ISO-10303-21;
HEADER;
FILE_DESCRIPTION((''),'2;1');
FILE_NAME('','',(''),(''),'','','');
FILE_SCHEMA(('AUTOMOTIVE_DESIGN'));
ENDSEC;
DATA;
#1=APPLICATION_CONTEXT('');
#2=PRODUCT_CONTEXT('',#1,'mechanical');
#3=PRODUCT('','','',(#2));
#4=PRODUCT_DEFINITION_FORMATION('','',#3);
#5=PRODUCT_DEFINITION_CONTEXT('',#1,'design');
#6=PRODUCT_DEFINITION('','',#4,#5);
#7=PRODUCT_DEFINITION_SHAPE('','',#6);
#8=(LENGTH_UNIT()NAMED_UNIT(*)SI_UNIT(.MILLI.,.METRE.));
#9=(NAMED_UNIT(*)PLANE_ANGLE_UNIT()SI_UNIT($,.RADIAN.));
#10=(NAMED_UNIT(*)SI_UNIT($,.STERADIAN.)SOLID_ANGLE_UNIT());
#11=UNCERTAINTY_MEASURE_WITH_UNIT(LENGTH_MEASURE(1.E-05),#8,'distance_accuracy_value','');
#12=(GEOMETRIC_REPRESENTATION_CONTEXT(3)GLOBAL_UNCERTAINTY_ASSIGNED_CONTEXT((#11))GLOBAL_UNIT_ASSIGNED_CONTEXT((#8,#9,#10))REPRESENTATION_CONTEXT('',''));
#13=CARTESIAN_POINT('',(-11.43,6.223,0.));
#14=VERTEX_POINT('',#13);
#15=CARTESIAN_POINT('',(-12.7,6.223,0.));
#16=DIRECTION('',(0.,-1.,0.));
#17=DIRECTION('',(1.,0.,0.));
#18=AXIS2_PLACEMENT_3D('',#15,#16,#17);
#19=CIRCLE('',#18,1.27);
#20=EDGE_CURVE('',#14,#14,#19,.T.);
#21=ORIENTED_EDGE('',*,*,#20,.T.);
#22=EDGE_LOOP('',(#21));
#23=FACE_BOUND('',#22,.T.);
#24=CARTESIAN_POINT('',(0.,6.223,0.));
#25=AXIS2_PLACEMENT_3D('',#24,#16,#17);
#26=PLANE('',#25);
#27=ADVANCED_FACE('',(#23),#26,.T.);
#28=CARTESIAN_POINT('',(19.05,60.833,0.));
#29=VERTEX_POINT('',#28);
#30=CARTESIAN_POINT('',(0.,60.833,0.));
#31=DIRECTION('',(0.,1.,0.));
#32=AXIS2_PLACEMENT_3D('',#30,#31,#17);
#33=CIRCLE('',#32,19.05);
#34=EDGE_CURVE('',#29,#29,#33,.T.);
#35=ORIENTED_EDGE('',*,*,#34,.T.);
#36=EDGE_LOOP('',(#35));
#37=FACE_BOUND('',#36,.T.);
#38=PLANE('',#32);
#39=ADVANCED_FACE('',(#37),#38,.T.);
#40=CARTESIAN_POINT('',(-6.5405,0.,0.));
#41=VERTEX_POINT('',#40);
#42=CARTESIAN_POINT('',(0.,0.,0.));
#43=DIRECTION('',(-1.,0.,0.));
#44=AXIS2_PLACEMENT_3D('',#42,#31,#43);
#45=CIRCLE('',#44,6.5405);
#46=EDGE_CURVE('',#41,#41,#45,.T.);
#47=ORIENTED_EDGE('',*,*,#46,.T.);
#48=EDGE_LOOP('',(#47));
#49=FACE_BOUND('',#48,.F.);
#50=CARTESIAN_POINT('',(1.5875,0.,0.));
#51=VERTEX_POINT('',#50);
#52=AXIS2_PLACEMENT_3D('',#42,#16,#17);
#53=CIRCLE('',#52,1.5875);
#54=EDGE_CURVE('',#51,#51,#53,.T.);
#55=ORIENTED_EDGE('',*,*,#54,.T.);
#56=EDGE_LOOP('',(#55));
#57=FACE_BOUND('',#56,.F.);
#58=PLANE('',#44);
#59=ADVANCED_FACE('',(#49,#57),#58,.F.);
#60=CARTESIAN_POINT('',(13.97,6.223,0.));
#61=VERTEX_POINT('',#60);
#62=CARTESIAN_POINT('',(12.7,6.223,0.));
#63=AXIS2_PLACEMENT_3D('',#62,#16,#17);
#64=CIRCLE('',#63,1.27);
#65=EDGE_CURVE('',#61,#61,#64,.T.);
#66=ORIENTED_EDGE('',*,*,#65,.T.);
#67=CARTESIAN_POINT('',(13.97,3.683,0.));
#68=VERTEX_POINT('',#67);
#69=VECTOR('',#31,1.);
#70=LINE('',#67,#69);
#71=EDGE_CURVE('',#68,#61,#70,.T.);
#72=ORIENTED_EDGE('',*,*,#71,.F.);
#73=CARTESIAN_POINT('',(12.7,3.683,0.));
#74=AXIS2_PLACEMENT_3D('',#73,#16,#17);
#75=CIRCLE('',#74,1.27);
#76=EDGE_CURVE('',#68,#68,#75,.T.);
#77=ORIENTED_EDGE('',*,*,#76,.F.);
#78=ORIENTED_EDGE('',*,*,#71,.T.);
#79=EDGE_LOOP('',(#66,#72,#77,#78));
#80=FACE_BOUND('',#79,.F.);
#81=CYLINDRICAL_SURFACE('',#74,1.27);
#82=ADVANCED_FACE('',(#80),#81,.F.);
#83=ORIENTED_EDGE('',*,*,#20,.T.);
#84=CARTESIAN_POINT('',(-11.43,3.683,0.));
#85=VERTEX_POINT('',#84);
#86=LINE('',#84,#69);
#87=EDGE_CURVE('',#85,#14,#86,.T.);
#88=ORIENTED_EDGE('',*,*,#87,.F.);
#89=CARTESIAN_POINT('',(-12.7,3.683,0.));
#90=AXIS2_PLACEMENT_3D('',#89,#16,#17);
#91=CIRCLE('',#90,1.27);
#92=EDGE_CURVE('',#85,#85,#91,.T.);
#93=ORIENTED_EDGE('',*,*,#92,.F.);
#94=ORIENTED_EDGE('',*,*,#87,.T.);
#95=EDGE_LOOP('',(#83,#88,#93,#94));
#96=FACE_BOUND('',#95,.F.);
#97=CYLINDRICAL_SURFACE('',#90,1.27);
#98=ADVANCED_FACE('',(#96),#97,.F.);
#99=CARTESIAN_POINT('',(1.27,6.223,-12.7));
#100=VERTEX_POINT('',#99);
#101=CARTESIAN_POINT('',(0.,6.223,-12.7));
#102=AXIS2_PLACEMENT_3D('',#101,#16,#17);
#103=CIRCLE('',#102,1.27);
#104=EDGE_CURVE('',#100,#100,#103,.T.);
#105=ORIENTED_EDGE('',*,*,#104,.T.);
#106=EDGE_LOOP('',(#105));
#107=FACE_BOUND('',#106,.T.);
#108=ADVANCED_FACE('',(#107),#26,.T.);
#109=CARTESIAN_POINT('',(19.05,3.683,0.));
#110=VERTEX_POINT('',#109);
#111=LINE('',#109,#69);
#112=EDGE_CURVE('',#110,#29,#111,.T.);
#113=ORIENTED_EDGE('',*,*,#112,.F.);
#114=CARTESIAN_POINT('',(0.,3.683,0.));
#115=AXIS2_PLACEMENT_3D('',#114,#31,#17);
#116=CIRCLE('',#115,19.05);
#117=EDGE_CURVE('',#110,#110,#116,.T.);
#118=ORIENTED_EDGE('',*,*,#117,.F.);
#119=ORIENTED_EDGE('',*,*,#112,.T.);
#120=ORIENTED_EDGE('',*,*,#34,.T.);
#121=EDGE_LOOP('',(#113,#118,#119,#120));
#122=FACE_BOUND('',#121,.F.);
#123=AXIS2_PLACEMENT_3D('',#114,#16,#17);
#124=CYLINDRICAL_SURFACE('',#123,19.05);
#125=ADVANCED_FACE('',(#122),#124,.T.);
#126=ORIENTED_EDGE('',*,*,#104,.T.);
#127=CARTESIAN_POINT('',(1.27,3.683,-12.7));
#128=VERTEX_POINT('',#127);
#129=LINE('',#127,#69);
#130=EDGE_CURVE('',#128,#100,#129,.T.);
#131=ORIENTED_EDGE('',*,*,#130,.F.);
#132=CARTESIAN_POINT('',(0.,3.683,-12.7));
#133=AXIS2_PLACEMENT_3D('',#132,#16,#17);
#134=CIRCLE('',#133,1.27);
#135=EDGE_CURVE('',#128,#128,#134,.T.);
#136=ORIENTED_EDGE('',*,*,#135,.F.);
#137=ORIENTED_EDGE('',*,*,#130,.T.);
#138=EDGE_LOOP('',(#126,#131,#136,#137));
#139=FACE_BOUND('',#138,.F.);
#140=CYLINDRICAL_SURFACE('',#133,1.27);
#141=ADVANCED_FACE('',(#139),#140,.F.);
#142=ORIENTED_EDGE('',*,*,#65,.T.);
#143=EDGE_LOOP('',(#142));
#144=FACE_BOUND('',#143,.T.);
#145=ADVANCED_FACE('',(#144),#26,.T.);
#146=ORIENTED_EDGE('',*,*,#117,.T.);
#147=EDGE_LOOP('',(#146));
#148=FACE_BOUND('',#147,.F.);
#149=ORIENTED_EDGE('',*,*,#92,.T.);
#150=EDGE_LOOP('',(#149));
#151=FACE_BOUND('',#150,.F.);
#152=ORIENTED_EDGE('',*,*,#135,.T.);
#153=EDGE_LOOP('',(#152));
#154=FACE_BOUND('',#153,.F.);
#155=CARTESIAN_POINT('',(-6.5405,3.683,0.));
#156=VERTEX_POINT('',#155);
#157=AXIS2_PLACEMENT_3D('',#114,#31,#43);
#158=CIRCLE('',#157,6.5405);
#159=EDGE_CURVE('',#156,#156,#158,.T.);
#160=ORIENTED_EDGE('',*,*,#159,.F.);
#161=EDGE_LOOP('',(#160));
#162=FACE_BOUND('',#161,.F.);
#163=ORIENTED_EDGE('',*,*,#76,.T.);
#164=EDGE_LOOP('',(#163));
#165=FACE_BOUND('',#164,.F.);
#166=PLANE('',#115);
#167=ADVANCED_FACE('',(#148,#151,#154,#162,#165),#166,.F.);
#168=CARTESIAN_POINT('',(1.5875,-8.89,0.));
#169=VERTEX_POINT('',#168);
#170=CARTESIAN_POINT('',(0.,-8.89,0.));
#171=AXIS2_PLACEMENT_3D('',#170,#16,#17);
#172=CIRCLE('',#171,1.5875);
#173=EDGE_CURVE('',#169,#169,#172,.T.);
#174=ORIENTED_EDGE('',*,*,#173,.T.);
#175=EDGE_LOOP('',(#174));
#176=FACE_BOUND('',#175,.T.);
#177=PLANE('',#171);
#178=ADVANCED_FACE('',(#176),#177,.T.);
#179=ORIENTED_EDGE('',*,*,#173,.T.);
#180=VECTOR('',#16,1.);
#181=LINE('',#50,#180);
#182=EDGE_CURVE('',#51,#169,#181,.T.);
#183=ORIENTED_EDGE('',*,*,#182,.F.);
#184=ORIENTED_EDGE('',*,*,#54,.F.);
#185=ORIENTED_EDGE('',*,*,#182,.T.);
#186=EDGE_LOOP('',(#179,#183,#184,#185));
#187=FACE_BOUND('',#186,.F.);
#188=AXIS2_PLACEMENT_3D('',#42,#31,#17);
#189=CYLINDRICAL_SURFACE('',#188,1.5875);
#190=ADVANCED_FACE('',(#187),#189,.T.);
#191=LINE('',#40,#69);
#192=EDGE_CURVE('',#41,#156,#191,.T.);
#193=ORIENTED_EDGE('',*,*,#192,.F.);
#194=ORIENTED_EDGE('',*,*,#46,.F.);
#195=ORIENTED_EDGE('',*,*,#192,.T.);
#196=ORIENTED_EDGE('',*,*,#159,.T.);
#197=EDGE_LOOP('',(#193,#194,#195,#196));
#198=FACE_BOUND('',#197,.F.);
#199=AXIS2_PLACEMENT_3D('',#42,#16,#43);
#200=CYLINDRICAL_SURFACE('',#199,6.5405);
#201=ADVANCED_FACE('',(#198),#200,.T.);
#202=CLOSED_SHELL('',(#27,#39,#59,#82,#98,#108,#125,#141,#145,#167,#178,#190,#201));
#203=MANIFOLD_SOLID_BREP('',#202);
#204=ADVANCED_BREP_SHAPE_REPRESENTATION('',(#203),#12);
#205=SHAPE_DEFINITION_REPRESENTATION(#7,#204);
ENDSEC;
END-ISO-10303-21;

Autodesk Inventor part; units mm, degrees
ref_plane "YZ Plane" through (0, 0, 0) normal (1, 0, 0) x (0, 1, 0)
ref_plane "XZ Plane" through (0, 0, 0) normal (0, 1, 0) x (-1, 0, 0)
ref_plane "XY Plane" through (0, 0, 0) normal (0, 0, 1) x (1, 0, 0)
sketch "Sketch1" plane through (0, 0, 0) normal (0, 1, 0) x (-1, 0, 0)
  circle A0 centre (0, 0) radius 6.5405
  dimension "d0" = 13.081
extrude "Extrusion1" add sketch "Sketch1" along normal blind 3.683
sketch "Sketch2" plane through (0, 3.683, 0) normal (0, 1, 0) x (1, 0, 0)
  circle A0 centre (0, 0) radius 19.05
  dimension "d3" = 38.1
extrude "Extrusion2" add sketch "Sketch2" along normal blind 57.15
sketch "Sketch3" plane through (0, 0, 0) normal (0, -1, 0) x (1, 0, 0)
  circle A0 centre (0, 0) radius 1.5875
  dimension "d6" = 3.175
extrude "Extrusion3" add sketch "Sketch3" along normal blind 8.89
sketch "Sketch4" plane through (0, 3.683, 0) normal (0, -1, 0) x (1, 0, 0)
  circle A0 centre (0, 0) radius 19.05 projected
  circle A1 centre (0, 0) radius 12.7 construction
  circle A2 centre (0, 0) radius 1.5875 projected
  line L0 (0, 0) -> (0, -12.7) construction
  line L1 (0, 0) -> (-12.7, 0) construction
  line L2 (0, 0) -> (12.7, 0) construction
  circle A3 centre (0, -12.7) radius 1.27
  circle A4 centre (-12.7, 0) radius 1.27
  circle A5 centre (12.7, 0) radius 1.27
  dimension "d9" = 25.4
  dimension "d10" = 2.54
extrude "Extrusion4" cut sketch "Sketch4" against normal blind 2.54 contours A3 | A4 | A5
properties part number "Motor"
